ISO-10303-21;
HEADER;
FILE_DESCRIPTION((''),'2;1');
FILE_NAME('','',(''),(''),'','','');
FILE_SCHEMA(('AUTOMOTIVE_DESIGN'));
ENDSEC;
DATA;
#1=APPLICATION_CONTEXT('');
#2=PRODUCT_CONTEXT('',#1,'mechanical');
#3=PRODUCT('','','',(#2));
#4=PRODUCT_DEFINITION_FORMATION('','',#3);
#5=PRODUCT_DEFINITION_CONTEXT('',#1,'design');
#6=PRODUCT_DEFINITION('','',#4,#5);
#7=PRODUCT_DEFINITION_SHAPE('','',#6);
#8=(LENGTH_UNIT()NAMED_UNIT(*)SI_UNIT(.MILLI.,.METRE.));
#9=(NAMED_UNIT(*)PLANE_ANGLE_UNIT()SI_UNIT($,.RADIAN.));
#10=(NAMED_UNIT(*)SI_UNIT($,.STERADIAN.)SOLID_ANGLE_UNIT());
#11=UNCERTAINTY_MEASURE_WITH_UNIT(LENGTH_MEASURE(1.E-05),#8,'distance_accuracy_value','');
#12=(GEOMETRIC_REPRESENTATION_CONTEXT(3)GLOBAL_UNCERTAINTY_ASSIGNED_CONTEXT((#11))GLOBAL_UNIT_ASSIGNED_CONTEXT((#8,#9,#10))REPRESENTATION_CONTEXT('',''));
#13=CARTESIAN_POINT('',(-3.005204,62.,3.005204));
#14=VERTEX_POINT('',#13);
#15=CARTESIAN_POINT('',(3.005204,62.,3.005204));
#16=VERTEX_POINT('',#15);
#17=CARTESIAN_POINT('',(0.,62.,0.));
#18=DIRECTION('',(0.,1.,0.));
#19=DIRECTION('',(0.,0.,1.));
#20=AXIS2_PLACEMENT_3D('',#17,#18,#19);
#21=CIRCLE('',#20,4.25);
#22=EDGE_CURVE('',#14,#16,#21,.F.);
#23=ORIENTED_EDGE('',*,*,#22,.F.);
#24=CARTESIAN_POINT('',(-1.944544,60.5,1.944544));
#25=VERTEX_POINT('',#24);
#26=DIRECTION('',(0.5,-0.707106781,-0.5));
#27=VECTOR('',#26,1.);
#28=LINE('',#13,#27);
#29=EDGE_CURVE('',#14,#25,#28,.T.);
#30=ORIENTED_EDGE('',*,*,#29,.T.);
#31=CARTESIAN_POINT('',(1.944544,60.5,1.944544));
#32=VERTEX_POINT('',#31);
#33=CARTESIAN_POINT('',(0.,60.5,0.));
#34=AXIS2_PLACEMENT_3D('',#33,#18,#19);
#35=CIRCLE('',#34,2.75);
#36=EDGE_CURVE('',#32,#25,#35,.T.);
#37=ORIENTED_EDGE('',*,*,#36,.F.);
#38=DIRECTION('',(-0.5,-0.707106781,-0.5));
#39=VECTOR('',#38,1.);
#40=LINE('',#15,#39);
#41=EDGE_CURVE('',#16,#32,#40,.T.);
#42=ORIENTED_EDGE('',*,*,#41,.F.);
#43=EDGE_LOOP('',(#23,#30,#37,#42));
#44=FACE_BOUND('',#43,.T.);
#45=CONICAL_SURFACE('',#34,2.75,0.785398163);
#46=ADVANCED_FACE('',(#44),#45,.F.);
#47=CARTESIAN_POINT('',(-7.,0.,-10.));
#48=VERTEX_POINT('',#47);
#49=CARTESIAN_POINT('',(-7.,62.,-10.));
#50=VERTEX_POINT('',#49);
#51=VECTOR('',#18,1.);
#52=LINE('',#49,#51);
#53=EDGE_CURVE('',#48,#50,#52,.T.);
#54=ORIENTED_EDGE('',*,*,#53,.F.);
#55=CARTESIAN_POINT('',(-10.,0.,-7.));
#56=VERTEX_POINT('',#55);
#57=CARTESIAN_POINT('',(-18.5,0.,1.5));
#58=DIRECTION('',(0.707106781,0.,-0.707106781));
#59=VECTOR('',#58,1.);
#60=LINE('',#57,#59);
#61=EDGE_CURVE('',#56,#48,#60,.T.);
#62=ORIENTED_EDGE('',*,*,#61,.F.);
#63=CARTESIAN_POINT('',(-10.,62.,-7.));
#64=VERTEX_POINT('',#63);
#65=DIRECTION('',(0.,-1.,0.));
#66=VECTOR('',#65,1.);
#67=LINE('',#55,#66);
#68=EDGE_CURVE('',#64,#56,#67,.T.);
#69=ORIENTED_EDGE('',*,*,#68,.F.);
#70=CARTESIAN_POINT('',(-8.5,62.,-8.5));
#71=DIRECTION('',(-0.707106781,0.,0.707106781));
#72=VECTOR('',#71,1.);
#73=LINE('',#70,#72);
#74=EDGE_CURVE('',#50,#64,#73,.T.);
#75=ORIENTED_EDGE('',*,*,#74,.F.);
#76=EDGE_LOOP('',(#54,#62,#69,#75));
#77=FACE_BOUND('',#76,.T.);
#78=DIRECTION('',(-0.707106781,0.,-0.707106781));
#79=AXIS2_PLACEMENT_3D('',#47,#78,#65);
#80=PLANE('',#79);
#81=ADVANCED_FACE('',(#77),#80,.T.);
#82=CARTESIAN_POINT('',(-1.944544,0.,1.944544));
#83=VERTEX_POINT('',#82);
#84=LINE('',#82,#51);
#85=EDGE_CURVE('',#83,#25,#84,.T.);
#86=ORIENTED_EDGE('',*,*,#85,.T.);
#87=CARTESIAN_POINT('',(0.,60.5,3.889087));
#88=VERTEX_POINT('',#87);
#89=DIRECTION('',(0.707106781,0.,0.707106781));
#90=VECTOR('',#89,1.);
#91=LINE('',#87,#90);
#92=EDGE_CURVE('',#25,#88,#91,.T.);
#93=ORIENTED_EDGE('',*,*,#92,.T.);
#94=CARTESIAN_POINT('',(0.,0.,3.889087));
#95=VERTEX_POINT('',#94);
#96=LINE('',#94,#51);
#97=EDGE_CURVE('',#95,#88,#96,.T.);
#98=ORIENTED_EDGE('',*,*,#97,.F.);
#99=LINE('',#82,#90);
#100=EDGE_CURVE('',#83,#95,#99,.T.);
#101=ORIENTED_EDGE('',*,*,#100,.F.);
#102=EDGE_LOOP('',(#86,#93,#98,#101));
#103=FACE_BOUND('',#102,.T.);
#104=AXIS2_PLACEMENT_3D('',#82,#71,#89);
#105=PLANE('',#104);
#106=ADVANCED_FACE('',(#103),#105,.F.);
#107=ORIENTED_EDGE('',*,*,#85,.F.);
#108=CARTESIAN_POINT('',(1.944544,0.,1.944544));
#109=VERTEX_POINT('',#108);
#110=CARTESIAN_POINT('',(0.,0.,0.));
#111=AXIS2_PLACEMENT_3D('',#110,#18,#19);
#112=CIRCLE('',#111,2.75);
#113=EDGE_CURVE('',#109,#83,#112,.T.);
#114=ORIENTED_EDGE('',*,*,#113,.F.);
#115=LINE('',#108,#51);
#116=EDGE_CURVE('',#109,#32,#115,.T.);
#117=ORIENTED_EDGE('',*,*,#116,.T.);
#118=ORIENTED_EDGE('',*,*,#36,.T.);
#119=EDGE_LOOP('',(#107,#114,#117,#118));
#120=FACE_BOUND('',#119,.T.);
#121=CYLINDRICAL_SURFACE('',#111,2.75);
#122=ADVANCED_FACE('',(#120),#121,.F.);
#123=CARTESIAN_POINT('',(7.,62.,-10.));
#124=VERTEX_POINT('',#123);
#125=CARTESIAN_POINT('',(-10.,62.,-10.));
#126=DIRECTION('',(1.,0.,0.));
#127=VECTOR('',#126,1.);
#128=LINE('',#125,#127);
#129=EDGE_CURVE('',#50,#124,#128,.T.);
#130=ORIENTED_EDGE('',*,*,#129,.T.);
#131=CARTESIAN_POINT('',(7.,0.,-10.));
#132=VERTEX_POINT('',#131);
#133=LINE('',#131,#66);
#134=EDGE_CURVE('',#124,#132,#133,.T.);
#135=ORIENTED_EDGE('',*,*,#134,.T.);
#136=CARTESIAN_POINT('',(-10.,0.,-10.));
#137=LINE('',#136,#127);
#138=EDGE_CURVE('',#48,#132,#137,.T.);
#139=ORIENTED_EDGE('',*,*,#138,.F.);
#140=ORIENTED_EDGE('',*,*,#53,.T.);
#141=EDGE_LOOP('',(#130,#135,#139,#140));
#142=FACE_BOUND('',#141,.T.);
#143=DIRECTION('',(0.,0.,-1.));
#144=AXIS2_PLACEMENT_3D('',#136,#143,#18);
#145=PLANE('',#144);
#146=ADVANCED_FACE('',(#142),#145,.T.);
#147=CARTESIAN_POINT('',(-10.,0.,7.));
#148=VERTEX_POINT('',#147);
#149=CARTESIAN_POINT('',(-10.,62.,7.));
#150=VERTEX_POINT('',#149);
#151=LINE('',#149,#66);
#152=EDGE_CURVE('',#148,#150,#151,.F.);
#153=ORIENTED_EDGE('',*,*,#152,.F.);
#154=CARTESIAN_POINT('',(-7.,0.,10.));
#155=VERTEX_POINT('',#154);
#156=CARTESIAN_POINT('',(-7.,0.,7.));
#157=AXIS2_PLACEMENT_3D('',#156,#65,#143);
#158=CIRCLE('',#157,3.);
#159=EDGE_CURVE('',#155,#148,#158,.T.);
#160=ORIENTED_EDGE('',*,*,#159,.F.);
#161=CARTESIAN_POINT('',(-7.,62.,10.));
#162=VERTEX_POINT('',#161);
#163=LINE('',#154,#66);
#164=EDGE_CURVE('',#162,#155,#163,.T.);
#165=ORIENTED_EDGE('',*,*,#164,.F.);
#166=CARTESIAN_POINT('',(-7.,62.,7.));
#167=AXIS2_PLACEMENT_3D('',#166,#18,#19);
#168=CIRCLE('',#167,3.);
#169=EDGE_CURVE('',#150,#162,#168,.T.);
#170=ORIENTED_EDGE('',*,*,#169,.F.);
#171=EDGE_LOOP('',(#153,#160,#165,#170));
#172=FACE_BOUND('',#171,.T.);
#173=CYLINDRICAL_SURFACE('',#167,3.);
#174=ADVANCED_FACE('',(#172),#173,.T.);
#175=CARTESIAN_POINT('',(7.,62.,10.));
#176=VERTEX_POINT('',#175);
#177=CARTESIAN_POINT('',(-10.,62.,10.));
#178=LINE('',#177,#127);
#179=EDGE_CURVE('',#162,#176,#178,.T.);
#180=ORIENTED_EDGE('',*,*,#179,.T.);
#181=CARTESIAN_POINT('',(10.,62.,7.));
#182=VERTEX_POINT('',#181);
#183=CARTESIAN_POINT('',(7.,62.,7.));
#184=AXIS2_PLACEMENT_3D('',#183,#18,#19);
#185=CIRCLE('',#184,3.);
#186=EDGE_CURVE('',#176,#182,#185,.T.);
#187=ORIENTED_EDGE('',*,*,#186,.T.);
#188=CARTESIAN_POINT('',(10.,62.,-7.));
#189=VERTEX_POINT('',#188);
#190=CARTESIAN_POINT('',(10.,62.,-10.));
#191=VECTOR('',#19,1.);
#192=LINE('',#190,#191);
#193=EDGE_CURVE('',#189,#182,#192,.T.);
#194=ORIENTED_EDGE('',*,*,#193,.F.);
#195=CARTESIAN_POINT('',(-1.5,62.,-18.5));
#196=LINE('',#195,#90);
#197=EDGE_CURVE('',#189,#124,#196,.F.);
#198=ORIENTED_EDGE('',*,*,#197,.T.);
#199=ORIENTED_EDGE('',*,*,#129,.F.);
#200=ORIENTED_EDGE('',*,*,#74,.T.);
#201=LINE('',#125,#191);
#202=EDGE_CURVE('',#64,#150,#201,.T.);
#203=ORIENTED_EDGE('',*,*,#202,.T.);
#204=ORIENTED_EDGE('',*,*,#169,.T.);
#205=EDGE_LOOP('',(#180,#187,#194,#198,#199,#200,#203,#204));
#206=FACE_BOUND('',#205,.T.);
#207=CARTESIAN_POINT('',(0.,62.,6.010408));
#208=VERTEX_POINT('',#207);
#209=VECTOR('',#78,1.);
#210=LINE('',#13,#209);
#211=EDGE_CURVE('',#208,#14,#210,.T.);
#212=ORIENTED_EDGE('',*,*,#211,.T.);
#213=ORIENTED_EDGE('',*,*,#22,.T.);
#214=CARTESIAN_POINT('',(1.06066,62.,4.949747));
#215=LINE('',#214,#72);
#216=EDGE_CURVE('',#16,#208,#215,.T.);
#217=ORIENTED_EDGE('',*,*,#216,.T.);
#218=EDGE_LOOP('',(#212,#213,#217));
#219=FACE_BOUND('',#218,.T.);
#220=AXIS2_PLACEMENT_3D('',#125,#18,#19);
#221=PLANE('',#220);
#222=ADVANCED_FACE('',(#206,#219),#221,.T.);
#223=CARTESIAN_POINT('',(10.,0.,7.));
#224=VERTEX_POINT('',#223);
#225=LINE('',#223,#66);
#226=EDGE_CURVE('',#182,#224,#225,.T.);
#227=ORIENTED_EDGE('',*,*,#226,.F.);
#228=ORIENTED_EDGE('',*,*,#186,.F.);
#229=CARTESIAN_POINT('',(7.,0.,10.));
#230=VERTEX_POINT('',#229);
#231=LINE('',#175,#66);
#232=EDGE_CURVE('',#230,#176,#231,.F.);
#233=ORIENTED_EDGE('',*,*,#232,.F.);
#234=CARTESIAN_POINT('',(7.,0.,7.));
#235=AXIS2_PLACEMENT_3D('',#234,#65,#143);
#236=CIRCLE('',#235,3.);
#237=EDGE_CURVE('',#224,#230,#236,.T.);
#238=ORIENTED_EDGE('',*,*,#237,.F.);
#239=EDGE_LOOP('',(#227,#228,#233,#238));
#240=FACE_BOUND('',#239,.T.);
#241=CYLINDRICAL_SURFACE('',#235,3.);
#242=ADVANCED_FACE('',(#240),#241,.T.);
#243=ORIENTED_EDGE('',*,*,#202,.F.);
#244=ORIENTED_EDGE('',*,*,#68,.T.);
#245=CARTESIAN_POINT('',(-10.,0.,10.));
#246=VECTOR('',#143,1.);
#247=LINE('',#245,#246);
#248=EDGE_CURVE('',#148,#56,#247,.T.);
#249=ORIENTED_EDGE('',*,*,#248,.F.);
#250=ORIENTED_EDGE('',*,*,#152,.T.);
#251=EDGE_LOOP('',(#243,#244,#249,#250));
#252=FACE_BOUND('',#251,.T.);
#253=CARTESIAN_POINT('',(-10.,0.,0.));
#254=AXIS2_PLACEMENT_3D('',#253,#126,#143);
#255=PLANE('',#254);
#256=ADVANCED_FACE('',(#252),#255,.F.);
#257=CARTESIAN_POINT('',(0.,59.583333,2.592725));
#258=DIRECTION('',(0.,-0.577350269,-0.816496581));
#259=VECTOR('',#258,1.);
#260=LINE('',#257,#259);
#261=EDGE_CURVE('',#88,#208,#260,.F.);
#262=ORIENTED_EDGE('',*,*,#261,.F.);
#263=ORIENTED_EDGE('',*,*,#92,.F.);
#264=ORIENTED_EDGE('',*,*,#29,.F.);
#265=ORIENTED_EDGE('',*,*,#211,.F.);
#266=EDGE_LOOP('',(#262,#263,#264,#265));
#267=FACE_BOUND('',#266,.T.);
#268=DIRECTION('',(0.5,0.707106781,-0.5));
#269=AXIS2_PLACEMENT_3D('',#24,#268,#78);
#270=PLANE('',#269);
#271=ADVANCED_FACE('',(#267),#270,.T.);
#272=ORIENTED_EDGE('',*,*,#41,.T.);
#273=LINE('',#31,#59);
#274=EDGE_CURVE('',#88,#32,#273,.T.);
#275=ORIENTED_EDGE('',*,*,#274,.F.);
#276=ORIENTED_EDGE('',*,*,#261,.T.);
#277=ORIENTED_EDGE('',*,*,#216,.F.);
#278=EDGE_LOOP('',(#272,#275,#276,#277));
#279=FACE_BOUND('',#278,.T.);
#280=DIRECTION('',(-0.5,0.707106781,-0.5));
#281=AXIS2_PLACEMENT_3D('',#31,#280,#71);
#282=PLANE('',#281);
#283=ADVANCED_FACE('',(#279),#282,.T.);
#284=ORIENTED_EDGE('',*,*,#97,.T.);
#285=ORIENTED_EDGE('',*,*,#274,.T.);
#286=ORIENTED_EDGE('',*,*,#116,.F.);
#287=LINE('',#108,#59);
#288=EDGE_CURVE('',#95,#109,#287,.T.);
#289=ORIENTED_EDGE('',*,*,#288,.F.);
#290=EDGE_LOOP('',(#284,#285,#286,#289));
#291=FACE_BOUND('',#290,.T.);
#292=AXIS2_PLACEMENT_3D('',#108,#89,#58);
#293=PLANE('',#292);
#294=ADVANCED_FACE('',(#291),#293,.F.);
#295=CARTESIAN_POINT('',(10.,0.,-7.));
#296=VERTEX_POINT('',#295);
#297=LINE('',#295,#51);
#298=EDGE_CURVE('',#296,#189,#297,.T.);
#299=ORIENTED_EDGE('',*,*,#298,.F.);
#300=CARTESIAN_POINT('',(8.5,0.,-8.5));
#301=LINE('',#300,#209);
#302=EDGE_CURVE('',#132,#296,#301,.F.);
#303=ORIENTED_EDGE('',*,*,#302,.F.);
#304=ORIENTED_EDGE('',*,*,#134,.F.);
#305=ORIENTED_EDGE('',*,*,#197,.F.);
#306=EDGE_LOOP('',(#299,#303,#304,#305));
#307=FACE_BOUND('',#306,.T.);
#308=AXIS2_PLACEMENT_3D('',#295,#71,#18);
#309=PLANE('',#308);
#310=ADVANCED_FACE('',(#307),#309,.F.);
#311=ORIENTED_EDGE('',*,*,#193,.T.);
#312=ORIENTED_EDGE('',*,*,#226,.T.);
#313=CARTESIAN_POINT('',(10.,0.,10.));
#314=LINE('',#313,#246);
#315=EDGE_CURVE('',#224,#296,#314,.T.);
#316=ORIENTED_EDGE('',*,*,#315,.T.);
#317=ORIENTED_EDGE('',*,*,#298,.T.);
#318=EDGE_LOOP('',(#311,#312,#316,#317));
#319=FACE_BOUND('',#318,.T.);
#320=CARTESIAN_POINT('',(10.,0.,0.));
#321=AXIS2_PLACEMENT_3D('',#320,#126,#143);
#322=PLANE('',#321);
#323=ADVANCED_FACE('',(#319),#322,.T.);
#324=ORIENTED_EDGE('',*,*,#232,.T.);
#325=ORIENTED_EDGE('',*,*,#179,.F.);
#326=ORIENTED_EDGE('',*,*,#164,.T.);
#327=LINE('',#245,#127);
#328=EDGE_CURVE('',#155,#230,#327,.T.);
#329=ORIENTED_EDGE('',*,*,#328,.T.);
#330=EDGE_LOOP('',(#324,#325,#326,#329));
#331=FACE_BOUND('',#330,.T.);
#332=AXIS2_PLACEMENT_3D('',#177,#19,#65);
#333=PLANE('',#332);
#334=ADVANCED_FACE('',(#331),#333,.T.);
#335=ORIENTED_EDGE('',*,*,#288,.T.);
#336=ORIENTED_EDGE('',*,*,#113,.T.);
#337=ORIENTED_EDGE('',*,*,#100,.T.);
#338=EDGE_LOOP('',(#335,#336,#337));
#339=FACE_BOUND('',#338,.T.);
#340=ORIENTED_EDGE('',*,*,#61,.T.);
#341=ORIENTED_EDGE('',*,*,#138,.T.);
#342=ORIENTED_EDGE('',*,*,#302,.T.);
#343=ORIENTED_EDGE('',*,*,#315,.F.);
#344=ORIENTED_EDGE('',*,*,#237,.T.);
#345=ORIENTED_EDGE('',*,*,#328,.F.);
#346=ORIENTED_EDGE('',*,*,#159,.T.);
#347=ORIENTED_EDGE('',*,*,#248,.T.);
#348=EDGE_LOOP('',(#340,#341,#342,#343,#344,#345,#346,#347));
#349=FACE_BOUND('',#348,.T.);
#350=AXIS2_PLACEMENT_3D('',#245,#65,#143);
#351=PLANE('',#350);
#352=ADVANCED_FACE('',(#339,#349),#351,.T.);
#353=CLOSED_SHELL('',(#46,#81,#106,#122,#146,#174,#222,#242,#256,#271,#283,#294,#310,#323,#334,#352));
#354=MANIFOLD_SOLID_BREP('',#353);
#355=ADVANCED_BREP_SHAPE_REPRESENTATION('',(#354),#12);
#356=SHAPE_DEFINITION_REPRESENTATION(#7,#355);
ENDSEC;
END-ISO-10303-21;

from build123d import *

# Parameters (mm, degrees)
BOSS_EXTRUDE1_DEPTH      = 10
BOSS_EXTRUDE1_DEPTH_BACK = 10
SKETCH3_W                = 20
SKETCH3_H                = 62
FILLET1_R                = 3
CUT_EXTRUDE1_DEPTH       = 64.592452382
CHAMFER1_SIZE            = 1.5
CHAMFER2_SIZE            = 3


with BuildPart() as part:
    # Sketch3 → Boss-Extrude1 (new, two sides: drawn at the far end of the back side and taken through both)
    with BuildSketch(Plane(origin=(0, 0, 0), x_dir=(0, 0, -1), z_dir=(1, 0, 0)).offset(-BOSS_EXTRUDE1_DEPTH_BACK)):
        with Locations((0, 31)):
            Rectangle(SKETCH3_W, SKETCH3_H)
    extrude(amount=BOSS_EXTRUDE1_DEPTH + BOSS_EXTRUDE1_DEPTH_BACK)

    # Fillet1
    fillet1_edges = [part.edges().sort_by_distance(p)[0] for p in [
        (-10, 31, 10),
        (10, 31, 10),
    ]]
    fillet(fillet1_edges, radius=FILLET1_R)

    # Sketch4 → Cut-Extrude1 (cut, through all)
    with BuildSketch(Plane(origin=(0, 62, 0), x_dir=(1, 0, 0), z_dir=(0, 1, 0))):
        with BuildLine():
            Line((0, -3.889087297), (1.944543648, -1.944543648))
            ThreePointArc((1.944543648, -1.944543648), (0, 2.75), (-1.944543648, -1.944543648))
            Line((-1.944543648, -1.944543648), (0, -3.889087297))
        make_face()
    extrude(amount=-CUT_EXTRUDE1_DEPTH, mode=Mode.SUBTRACT)

    # Chamfer1
    chamfer1_edges = [part.edges().sort_by_distance(p)[0] for p in [
        (0.972271824, 62, 2.916815472),
        (-0.972271824, 62, 2.916815472),
        (0, 62, -2.75),
    ]]
    chamfer(chamfer1_edges, length=CHAMFER1_SIZE)

    # Chamfer2
    chamfer2_edges = [part.edges().sort_by_distance(p)[0] for p in [
        (-10, 31, -10),
        (10, 31, -10),
    ]]
    chamfer(chamfer2_edges, length=CHAMFER2_SIZE)


solid = part.part
